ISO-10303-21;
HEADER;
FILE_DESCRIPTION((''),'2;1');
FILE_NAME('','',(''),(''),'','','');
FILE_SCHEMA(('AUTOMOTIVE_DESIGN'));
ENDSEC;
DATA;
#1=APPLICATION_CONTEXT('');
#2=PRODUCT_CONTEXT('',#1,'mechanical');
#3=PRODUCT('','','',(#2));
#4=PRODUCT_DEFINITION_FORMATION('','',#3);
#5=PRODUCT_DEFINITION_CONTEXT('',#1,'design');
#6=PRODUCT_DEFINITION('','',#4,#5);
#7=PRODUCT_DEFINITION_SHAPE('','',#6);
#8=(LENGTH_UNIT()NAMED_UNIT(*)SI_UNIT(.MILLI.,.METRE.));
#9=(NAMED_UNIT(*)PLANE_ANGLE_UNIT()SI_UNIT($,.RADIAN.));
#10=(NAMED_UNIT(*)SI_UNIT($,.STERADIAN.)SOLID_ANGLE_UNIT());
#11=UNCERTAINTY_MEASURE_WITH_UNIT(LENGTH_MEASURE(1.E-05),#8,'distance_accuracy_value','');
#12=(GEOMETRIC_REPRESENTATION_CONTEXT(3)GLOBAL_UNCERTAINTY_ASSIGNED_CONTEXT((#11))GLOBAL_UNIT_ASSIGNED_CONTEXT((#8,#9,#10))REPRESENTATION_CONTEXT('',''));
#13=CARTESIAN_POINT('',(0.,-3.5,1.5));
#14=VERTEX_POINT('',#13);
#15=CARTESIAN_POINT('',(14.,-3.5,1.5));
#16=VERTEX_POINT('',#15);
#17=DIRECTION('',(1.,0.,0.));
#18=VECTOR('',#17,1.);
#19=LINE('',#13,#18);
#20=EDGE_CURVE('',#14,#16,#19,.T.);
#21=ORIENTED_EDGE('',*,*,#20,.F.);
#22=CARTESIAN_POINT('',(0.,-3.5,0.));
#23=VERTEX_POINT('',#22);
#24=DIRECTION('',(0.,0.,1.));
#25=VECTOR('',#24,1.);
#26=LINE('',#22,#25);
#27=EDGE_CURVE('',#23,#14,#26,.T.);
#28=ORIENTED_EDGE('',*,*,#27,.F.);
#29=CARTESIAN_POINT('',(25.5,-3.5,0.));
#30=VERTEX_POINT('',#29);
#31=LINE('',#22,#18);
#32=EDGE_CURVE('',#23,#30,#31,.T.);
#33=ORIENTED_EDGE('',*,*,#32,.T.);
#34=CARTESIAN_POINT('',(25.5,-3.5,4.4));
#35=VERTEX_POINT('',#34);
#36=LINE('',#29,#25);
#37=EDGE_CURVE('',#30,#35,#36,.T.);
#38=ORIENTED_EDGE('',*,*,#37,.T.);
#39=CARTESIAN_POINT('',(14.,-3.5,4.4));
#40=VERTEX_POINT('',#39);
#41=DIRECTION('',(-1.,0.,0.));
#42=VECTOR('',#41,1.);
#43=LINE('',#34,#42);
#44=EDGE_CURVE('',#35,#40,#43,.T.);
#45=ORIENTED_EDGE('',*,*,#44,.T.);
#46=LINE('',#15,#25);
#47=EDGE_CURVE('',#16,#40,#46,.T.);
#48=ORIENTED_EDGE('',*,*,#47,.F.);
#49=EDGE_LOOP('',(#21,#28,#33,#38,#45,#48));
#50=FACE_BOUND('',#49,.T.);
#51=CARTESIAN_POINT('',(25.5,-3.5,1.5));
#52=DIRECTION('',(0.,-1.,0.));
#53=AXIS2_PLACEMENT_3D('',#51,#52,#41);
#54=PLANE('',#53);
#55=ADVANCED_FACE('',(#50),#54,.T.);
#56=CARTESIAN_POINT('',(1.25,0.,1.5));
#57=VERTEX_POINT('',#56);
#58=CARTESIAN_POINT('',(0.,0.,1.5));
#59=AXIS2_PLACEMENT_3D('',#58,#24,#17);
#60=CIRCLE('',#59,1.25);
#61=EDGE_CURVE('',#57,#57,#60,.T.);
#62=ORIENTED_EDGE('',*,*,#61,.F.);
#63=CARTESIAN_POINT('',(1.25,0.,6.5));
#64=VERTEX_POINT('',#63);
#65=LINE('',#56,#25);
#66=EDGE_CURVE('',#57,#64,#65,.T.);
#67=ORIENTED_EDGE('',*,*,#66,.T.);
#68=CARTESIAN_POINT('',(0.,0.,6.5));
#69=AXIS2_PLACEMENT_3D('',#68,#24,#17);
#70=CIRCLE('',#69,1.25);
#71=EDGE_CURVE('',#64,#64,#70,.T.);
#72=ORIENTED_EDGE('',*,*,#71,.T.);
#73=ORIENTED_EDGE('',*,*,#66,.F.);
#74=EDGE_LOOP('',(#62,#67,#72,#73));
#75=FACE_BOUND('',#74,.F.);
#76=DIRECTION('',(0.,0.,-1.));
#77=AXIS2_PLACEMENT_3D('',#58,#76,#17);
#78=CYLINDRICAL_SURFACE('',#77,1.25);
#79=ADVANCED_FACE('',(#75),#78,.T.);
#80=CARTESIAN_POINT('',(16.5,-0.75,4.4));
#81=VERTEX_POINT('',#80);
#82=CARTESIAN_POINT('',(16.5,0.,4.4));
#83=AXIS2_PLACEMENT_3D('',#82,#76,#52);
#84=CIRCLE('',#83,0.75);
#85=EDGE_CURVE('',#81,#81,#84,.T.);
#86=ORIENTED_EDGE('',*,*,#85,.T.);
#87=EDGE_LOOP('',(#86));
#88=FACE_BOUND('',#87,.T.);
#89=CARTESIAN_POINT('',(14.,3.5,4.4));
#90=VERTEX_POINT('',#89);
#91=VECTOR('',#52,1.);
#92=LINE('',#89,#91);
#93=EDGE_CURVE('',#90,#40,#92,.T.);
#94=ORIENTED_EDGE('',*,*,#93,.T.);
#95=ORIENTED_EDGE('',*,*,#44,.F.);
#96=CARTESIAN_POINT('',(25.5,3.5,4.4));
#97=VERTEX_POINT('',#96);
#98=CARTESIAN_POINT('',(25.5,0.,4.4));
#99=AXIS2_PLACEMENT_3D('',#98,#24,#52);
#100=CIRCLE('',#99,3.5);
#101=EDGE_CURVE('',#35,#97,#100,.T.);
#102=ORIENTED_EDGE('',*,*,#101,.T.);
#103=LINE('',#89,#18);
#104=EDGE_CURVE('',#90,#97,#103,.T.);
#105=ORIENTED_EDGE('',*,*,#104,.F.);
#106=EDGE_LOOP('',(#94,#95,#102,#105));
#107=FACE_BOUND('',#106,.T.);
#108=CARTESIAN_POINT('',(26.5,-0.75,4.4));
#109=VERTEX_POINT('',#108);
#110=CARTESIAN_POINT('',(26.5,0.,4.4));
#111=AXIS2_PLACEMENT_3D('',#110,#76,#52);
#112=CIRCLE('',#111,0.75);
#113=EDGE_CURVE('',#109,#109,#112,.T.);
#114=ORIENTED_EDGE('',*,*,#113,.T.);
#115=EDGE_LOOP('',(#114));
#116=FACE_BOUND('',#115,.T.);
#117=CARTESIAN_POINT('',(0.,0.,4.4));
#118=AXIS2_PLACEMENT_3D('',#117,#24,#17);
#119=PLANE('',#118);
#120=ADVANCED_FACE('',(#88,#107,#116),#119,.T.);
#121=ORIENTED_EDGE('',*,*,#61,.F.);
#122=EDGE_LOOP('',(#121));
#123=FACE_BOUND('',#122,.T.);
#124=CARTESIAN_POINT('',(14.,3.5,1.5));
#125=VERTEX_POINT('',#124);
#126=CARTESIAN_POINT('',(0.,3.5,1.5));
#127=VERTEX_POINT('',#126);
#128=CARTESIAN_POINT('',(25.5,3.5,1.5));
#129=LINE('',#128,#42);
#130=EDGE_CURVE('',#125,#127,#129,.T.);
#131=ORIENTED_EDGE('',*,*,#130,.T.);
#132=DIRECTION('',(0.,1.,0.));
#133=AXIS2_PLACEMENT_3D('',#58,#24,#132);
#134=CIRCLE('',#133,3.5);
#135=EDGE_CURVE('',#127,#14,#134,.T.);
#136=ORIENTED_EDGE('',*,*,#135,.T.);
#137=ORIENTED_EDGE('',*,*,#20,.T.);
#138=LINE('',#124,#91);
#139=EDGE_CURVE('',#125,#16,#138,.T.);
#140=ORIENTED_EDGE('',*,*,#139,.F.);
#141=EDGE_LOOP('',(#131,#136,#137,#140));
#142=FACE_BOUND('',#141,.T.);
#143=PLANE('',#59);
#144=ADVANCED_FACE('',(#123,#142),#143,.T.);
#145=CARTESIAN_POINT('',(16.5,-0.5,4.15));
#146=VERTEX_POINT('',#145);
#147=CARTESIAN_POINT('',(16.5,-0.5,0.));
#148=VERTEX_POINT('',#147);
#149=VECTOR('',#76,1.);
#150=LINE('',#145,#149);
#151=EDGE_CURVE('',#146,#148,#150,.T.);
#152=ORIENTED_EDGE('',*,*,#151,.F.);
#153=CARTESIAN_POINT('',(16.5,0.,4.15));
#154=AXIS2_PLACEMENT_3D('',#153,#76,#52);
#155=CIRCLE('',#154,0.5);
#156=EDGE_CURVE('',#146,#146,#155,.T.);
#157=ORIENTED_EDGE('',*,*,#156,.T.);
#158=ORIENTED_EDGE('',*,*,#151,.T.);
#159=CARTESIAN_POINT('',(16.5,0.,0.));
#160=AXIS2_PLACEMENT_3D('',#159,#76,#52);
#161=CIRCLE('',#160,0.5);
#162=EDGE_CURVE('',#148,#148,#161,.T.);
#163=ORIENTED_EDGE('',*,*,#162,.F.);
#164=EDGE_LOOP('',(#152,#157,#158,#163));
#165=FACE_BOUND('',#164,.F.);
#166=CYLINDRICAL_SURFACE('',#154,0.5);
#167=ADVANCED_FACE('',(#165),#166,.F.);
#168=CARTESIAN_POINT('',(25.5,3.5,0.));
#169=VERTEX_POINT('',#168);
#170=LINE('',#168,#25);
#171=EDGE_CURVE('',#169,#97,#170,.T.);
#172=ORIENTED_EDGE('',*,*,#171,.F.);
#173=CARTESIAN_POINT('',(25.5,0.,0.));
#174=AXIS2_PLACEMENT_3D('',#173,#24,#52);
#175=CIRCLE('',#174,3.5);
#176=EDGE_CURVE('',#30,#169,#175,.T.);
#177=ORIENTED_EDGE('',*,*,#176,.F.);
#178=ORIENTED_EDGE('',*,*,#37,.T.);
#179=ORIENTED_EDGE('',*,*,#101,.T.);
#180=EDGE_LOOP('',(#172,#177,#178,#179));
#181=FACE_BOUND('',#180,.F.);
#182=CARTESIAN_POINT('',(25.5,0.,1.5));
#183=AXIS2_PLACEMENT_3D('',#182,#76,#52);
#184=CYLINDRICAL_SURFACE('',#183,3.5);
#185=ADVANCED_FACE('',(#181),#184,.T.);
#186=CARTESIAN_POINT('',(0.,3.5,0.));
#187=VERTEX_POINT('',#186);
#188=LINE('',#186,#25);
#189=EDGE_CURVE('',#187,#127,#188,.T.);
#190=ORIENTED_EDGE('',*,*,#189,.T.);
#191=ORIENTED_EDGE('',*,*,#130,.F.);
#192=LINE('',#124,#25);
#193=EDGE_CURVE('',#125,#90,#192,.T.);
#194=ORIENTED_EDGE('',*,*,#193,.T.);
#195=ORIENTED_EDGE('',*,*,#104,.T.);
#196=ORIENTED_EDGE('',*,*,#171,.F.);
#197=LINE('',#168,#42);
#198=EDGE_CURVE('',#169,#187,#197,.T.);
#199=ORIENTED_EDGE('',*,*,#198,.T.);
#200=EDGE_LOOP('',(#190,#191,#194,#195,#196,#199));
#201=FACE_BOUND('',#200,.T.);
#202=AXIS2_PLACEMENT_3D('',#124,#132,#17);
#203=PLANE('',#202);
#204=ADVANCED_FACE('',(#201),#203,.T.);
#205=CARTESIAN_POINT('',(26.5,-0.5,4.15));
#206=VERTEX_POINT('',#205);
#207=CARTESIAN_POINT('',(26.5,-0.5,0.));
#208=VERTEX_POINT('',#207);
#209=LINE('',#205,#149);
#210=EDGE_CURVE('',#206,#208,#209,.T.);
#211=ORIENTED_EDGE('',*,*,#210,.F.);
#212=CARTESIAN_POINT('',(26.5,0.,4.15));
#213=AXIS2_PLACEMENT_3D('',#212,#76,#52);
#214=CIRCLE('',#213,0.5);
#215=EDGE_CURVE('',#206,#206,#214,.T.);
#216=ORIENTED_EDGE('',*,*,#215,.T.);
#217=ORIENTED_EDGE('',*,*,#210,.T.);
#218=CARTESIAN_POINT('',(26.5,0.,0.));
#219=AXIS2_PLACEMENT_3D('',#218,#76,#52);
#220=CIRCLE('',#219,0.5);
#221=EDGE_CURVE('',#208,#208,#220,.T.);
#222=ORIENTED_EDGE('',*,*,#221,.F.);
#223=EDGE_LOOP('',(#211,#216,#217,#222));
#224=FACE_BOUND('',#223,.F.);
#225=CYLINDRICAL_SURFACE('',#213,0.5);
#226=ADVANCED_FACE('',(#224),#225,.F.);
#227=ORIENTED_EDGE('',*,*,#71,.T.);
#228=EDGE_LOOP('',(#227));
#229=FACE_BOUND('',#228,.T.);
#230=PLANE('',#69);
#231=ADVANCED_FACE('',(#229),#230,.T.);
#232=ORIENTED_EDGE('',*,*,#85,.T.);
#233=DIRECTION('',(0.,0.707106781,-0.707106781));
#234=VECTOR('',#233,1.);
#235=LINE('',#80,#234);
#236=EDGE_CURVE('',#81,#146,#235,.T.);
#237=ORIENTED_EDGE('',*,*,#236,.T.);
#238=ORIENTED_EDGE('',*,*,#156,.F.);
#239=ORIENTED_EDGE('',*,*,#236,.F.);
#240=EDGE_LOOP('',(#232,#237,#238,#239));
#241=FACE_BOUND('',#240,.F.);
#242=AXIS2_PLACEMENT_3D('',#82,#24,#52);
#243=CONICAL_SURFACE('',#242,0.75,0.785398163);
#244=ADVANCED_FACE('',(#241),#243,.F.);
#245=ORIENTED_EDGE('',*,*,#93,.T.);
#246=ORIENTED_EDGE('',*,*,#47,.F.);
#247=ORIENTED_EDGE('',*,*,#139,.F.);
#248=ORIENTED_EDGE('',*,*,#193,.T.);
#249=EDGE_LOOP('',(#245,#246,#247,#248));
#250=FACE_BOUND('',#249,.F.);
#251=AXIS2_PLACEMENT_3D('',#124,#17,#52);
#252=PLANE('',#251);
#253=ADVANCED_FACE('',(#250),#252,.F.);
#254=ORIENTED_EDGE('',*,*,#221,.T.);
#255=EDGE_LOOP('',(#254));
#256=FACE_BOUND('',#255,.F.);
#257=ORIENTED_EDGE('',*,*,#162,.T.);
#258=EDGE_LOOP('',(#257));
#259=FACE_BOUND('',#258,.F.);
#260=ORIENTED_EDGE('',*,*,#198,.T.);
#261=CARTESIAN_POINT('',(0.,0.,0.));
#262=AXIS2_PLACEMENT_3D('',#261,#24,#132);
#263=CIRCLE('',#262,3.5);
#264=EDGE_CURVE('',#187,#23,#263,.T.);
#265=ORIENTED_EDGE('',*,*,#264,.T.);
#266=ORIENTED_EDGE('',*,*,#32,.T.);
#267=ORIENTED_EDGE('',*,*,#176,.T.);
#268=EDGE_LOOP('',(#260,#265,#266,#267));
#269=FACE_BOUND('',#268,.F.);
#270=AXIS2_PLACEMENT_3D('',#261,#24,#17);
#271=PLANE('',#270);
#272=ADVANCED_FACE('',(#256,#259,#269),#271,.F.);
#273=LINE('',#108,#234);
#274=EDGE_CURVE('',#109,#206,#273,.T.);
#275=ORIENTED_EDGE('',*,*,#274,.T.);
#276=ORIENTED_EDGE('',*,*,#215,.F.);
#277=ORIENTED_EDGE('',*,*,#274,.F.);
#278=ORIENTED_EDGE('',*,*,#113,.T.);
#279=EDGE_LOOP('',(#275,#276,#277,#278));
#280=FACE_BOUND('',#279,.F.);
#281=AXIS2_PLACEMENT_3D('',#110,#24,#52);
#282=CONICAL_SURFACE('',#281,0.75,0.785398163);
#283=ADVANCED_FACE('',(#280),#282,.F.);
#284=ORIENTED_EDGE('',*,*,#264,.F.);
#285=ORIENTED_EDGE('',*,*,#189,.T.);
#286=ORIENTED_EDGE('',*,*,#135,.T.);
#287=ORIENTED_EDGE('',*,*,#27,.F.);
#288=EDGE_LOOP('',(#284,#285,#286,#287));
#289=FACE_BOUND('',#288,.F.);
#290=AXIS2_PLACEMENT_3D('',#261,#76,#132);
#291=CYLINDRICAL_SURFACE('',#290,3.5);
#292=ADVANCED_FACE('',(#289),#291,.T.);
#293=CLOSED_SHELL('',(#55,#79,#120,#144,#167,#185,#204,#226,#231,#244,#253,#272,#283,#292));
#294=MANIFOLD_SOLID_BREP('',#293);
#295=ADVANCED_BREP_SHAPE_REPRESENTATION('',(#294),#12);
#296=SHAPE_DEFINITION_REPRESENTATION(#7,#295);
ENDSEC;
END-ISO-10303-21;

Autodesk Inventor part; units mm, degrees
ref_plane "YZ Plane" through (0, 0, 0) normal (1, 0, 0) x (0, 1, 0)
ref_plane "XZ Plane" through (0, 0, 0) normal (0, 1, 0) x (-1, 0, 0)
ref_plane "XY Plane" through (0, 0, 0) normal (0, 0, 1) x (1, 0, 0)
sketch "Эскиз1" plane through (0, 0, 0) normal (0, 0, 1) x (1, 0, 0)
  line L0 (0, 0) -> (25.5, 0) construction
  line L1 (0, -3.5) -> (25.5, -3.5)
  line L2 (25.5, 3.5) -> (0, 3.5)
  arc A0 (0, 3.5) -> (0, -3.5) centre (0, 0) ccw
  arc A1 (25.5, -3.5) -> (25.5, 3.5) centre (25.5, 0) ccw
  point P0 (12.75, 0)
  dimension "d3" = 25.5
  dimension "d4" = 7
extrude "Выдавливание1" add sketch "Эскиз1" along normal blind 1.5
sketch "Эскиз2" plane through (0, 0, 1.5) normal (0, 0, 1) x (1, 0, 0)
  circle A0 centre (0, 0) radius 1.25
  dimension "d7" = 2.5
extrude "Выдавливание2" add sketch "Эскиз2" along normal blind 5
sketch "Эскиз4" plane through (0, 0, 1.5) normal (0, 0, 1) x (1, 0, 0)
  line L0 (0, -3.5) -> (25.5, -3.5) construction
  arc A0 (0, 3.5) -> (0, -3.5) centre (0, 0) ccw construction
  line L1 (25.5, 3.5) -> (0, 3.5) construction
  arc A1 (25.5, -3.5) -> (25.5, 3.5) centre (25.5, 0) ccw construction
  line L2 (25.5, -3.5) -> (14, -3.5)
  line L3 (14, 3.5) -> (25.5, 3.5)
  arc A2 (25.5, -3.5) -> (25.5, 3.5) centre (25.5, 0) ccw
  line L4 (14, 3.5) -> (14, -3.5)
  dimension "d15" = 11.5
extrude "Выдавливание4" add sketch "Эскиз4" along normal blind 2.9
sketch "Эскиз5" plane through (0, 0, 4.4) normal (0, 0, 1) x (1, 0, 0)
  circle A0 centre (26.5, 0) radius 0.5
  circle A1 centre (16.5, 0) radius 0.5
  line L0 (16.5, 0) -> (21.5, 0) construction
  line L1 (21.5, 0) -> (26.5, 0) construction
  arc A2 (25.5, -3.5) -> (25.5, 3.5) centre (25.5, 0) ccw construction
  point P0 (0, 0)
  point P1 (29, 0)
  dimension "d18" = 1
  dimension "d25" = 10
  dimension "d26" = 2.5
hole "Отверстие1" at (16.5, 0, 4.4) at (26.5, 0, 4.4) direction (0, 0, -1) diameter 1 end through all countersink diameter 1.5 countersink angle 90
properties part number "элемент-1"
